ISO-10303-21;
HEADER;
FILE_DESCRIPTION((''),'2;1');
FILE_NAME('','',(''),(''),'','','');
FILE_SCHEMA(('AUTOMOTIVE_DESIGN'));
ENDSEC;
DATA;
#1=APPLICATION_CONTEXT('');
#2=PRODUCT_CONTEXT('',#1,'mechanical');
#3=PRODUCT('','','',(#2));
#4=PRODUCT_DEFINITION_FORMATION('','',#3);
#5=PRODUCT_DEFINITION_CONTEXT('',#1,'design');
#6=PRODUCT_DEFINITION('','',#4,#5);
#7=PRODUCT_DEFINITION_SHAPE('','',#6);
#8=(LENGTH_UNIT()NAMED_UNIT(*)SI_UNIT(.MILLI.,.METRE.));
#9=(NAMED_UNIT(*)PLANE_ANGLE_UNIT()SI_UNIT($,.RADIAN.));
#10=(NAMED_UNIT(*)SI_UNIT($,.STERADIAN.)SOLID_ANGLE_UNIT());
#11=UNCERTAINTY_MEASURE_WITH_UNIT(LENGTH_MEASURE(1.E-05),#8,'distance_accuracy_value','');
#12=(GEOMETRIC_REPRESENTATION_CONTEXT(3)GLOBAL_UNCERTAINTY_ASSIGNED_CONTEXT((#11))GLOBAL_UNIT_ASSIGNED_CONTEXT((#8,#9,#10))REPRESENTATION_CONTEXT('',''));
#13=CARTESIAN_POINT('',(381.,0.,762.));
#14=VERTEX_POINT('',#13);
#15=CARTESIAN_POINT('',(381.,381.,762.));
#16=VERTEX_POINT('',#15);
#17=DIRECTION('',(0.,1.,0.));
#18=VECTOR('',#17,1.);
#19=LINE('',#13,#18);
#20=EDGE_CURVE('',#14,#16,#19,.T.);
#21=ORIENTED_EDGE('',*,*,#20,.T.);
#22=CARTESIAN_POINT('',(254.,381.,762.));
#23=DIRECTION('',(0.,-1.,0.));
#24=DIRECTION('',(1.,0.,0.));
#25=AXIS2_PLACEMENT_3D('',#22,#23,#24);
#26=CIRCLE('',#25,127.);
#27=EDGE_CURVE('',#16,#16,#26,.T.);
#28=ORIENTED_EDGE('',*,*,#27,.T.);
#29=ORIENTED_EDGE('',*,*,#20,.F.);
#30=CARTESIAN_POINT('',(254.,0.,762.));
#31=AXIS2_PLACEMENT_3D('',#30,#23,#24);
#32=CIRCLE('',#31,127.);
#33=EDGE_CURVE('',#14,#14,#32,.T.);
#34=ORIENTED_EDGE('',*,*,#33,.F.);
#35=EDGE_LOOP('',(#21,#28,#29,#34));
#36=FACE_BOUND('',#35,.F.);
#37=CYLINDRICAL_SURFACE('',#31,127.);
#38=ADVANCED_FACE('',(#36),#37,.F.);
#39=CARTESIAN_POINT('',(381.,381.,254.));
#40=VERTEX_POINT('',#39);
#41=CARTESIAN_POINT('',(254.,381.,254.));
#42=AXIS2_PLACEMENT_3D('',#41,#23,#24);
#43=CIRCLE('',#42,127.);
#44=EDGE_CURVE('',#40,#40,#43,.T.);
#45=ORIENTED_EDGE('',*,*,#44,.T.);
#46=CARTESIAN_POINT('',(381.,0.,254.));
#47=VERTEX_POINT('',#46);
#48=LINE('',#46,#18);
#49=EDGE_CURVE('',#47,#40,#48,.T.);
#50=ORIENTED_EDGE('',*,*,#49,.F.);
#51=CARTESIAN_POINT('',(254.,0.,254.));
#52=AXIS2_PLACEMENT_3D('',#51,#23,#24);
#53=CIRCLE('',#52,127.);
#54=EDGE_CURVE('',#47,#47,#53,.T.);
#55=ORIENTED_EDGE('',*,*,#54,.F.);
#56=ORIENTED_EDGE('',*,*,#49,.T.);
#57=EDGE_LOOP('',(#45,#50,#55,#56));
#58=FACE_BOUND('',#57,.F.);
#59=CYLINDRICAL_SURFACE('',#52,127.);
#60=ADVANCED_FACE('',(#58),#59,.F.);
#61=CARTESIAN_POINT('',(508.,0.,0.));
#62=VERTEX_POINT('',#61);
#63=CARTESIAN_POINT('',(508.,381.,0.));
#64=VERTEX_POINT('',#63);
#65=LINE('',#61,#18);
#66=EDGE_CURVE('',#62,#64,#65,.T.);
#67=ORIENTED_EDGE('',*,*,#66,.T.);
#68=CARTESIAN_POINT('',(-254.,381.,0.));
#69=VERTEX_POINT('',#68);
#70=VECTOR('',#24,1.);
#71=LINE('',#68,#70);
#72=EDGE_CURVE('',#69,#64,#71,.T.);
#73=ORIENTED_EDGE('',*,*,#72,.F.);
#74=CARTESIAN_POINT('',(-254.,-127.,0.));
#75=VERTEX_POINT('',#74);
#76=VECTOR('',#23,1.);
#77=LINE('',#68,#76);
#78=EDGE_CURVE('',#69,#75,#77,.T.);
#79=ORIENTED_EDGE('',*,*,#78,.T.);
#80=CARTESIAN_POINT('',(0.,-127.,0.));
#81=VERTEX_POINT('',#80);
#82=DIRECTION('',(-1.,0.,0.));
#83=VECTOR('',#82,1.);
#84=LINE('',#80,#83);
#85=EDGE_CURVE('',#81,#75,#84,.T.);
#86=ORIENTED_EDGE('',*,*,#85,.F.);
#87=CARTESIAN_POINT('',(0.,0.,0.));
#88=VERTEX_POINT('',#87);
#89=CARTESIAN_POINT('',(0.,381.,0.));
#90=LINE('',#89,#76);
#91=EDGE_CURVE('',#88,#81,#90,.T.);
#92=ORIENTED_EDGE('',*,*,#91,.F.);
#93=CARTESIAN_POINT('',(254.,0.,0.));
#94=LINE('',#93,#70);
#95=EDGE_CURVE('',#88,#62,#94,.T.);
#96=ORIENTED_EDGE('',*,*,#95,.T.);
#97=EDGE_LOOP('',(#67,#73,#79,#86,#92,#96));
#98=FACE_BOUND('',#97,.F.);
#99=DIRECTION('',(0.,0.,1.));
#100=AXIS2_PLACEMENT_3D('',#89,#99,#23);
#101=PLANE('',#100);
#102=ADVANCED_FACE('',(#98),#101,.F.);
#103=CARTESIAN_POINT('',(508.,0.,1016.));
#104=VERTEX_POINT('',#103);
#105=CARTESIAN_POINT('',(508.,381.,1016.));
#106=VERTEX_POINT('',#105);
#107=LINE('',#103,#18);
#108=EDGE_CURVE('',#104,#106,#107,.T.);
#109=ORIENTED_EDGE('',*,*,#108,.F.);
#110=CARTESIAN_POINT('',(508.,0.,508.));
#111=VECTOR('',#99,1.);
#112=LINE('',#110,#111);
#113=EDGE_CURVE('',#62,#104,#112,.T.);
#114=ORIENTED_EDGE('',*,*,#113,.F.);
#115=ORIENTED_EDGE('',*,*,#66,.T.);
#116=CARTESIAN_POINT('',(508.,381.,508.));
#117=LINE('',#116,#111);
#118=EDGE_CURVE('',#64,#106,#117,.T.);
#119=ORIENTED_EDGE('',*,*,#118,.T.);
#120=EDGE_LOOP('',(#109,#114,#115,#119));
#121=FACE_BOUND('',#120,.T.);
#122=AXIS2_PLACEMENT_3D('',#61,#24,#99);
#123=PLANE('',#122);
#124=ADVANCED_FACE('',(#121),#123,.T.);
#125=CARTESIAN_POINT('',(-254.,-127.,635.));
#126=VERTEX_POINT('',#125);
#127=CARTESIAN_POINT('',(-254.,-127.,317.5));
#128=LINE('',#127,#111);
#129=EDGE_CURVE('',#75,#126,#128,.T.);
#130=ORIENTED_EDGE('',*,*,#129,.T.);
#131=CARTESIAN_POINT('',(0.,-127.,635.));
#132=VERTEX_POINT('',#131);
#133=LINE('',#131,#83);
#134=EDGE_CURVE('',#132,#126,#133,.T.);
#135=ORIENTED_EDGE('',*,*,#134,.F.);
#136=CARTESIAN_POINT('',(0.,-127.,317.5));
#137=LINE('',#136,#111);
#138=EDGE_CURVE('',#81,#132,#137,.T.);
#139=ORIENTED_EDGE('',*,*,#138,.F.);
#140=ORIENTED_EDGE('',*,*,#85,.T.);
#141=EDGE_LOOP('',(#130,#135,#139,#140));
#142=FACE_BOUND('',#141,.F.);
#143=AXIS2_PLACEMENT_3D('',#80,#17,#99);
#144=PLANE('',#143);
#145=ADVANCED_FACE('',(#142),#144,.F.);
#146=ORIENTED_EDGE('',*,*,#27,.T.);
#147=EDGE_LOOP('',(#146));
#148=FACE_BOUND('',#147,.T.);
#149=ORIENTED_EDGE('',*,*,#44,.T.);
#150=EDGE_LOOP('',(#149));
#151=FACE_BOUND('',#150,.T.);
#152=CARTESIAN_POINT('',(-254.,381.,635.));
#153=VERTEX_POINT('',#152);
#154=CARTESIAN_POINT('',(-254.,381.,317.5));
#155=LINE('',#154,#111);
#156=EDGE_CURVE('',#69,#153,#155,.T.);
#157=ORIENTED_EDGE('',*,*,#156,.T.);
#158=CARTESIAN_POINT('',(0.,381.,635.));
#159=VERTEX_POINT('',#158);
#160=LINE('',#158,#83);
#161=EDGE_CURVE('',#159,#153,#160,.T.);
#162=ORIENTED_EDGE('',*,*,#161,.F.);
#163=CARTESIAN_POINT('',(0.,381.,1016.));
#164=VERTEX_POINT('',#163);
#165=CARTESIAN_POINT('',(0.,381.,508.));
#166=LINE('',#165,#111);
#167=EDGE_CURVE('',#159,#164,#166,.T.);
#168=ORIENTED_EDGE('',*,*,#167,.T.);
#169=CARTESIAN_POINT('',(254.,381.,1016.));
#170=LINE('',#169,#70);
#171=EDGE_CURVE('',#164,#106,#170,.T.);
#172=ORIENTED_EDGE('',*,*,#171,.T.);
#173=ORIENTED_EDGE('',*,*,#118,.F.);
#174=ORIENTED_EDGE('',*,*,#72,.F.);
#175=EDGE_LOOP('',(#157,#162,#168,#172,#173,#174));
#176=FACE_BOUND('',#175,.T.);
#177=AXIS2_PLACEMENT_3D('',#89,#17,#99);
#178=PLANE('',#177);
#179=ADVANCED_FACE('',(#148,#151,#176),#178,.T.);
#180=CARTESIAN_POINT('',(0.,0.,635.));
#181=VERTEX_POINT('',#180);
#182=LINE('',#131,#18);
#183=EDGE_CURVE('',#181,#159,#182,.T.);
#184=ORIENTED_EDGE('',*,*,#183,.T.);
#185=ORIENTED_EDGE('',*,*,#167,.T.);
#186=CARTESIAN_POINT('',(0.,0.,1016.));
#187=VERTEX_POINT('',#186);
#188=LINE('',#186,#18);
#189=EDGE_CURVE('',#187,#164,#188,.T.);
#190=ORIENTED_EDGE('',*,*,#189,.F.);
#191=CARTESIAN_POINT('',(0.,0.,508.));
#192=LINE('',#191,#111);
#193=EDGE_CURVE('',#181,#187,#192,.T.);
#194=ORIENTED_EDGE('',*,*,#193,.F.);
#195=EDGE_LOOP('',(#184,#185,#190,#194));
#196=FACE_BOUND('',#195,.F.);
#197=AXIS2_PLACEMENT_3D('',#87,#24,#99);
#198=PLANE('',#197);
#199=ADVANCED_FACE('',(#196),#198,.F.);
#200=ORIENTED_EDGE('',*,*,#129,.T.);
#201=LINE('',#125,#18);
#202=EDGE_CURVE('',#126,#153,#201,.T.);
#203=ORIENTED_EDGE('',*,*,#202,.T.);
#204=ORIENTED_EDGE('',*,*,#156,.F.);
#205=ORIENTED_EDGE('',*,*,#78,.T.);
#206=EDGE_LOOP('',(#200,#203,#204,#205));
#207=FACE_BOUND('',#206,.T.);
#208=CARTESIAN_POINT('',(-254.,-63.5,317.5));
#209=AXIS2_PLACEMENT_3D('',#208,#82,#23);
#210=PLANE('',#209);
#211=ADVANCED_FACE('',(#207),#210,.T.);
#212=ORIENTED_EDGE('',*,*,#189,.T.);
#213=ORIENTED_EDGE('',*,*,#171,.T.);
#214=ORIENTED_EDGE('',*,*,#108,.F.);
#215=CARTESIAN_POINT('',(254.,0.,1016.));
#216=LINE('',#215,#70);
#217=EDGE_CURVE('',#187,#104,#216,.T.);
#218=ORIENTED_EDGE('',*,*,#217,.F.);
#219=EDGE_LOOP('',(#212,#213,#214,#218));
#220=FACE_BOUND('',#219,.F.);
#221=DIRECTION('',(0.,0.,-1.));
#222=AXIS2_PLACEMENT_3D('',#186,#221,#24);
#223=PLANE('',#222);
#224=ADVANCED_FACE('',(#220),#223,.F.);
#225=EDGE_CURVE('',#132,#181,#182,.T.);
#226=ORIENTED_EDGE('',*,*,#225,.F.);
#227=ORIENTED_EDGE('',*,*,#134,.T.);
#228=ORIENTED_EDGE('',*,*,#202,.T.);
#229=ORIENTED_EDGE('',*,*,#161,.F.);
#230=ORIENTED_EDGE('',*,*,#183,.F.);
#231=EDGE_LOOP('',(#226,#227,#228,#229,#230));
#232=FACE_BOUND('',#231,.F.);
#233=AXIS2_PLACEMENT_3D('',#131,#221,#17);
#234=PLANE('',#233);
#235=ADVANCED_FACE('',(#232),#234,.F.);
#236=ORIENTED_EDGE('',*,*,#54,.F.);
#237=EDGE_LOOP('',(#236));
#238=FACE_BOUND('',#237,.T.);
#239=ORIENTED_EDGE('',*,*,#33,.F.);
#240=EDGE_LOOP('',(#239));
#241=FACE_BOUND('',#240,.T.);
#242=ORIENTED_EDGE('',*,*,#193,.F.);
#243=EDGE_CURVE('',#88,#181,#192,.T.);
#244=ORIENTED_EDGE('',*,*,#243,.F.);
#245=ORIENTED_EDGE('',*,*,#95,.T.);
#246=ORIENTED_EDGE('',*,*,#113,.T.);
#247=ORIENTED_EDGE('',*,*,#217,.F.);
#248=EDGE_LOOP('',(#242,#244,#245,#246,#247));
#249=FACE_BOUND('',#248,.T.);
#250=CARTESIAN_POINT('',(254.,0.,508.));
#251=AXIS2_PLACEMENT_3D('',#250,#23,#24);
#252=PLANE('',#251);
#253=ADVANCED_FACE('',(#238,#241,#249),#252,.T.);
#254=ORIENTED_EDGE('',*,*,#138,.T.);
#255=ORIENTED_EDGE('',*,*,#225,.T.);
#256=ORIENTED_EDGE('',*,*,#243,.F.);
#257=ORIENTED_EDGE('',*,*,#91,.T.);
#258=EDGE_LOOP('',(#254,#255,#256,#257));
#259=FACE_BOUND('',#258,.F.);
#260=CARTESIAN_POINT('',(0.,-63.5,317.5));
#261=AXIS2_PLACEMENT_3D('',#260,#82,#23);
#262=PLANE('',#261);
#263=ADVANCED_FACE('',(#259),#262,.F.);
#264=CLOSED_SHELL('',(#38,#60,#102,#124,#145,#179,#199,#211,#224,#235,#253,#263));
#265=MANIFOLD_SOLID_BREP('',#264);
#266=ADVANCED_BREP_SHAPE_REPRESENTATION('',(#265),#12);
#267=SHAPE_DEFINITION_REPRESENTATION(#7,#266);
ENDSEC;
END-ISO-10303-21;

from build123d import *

# Parameters (mm, degrees)
F0_W     = 508
F0_H     = 1016
F0_R     = 127
F1_DEPTH = 381
F2_W     = 127
F2_H     = 635
F2_W_2   = 381
F3_DEPTH = 254


with BuildPart() as f1:
    # F0 (on Front) → F1 (new body)
    with BuildSketch(Plane.XZ):
        with Locations((254, 508)):
            Rectangle(F0_W, F0_H)
        with Locations((254, 254)):
            Circle(F0_R, mode=Mode.SUBTRACT)
        with Locations((254, 762)):
            Circle(F0_R, mode=Mode.SUBTRACT)
    extrude(amount=-F1_DEPTH)

    # F2 (on face) → F3 (join)
    with BuildSketch(Plane(origin=(0, 0, 0), x_dir=(0, -1, 0), z_dir=(-1, 0, 0))):
        with Locations((63.5, 317.5)):
            Rectangle(F2_W, F2_H)
        with Locations((-190.5, 317.5)):
            Rectangle(F2_W_2, F2_H)
    extrude(amount=F3_DEPTH)


solid = f1.part
